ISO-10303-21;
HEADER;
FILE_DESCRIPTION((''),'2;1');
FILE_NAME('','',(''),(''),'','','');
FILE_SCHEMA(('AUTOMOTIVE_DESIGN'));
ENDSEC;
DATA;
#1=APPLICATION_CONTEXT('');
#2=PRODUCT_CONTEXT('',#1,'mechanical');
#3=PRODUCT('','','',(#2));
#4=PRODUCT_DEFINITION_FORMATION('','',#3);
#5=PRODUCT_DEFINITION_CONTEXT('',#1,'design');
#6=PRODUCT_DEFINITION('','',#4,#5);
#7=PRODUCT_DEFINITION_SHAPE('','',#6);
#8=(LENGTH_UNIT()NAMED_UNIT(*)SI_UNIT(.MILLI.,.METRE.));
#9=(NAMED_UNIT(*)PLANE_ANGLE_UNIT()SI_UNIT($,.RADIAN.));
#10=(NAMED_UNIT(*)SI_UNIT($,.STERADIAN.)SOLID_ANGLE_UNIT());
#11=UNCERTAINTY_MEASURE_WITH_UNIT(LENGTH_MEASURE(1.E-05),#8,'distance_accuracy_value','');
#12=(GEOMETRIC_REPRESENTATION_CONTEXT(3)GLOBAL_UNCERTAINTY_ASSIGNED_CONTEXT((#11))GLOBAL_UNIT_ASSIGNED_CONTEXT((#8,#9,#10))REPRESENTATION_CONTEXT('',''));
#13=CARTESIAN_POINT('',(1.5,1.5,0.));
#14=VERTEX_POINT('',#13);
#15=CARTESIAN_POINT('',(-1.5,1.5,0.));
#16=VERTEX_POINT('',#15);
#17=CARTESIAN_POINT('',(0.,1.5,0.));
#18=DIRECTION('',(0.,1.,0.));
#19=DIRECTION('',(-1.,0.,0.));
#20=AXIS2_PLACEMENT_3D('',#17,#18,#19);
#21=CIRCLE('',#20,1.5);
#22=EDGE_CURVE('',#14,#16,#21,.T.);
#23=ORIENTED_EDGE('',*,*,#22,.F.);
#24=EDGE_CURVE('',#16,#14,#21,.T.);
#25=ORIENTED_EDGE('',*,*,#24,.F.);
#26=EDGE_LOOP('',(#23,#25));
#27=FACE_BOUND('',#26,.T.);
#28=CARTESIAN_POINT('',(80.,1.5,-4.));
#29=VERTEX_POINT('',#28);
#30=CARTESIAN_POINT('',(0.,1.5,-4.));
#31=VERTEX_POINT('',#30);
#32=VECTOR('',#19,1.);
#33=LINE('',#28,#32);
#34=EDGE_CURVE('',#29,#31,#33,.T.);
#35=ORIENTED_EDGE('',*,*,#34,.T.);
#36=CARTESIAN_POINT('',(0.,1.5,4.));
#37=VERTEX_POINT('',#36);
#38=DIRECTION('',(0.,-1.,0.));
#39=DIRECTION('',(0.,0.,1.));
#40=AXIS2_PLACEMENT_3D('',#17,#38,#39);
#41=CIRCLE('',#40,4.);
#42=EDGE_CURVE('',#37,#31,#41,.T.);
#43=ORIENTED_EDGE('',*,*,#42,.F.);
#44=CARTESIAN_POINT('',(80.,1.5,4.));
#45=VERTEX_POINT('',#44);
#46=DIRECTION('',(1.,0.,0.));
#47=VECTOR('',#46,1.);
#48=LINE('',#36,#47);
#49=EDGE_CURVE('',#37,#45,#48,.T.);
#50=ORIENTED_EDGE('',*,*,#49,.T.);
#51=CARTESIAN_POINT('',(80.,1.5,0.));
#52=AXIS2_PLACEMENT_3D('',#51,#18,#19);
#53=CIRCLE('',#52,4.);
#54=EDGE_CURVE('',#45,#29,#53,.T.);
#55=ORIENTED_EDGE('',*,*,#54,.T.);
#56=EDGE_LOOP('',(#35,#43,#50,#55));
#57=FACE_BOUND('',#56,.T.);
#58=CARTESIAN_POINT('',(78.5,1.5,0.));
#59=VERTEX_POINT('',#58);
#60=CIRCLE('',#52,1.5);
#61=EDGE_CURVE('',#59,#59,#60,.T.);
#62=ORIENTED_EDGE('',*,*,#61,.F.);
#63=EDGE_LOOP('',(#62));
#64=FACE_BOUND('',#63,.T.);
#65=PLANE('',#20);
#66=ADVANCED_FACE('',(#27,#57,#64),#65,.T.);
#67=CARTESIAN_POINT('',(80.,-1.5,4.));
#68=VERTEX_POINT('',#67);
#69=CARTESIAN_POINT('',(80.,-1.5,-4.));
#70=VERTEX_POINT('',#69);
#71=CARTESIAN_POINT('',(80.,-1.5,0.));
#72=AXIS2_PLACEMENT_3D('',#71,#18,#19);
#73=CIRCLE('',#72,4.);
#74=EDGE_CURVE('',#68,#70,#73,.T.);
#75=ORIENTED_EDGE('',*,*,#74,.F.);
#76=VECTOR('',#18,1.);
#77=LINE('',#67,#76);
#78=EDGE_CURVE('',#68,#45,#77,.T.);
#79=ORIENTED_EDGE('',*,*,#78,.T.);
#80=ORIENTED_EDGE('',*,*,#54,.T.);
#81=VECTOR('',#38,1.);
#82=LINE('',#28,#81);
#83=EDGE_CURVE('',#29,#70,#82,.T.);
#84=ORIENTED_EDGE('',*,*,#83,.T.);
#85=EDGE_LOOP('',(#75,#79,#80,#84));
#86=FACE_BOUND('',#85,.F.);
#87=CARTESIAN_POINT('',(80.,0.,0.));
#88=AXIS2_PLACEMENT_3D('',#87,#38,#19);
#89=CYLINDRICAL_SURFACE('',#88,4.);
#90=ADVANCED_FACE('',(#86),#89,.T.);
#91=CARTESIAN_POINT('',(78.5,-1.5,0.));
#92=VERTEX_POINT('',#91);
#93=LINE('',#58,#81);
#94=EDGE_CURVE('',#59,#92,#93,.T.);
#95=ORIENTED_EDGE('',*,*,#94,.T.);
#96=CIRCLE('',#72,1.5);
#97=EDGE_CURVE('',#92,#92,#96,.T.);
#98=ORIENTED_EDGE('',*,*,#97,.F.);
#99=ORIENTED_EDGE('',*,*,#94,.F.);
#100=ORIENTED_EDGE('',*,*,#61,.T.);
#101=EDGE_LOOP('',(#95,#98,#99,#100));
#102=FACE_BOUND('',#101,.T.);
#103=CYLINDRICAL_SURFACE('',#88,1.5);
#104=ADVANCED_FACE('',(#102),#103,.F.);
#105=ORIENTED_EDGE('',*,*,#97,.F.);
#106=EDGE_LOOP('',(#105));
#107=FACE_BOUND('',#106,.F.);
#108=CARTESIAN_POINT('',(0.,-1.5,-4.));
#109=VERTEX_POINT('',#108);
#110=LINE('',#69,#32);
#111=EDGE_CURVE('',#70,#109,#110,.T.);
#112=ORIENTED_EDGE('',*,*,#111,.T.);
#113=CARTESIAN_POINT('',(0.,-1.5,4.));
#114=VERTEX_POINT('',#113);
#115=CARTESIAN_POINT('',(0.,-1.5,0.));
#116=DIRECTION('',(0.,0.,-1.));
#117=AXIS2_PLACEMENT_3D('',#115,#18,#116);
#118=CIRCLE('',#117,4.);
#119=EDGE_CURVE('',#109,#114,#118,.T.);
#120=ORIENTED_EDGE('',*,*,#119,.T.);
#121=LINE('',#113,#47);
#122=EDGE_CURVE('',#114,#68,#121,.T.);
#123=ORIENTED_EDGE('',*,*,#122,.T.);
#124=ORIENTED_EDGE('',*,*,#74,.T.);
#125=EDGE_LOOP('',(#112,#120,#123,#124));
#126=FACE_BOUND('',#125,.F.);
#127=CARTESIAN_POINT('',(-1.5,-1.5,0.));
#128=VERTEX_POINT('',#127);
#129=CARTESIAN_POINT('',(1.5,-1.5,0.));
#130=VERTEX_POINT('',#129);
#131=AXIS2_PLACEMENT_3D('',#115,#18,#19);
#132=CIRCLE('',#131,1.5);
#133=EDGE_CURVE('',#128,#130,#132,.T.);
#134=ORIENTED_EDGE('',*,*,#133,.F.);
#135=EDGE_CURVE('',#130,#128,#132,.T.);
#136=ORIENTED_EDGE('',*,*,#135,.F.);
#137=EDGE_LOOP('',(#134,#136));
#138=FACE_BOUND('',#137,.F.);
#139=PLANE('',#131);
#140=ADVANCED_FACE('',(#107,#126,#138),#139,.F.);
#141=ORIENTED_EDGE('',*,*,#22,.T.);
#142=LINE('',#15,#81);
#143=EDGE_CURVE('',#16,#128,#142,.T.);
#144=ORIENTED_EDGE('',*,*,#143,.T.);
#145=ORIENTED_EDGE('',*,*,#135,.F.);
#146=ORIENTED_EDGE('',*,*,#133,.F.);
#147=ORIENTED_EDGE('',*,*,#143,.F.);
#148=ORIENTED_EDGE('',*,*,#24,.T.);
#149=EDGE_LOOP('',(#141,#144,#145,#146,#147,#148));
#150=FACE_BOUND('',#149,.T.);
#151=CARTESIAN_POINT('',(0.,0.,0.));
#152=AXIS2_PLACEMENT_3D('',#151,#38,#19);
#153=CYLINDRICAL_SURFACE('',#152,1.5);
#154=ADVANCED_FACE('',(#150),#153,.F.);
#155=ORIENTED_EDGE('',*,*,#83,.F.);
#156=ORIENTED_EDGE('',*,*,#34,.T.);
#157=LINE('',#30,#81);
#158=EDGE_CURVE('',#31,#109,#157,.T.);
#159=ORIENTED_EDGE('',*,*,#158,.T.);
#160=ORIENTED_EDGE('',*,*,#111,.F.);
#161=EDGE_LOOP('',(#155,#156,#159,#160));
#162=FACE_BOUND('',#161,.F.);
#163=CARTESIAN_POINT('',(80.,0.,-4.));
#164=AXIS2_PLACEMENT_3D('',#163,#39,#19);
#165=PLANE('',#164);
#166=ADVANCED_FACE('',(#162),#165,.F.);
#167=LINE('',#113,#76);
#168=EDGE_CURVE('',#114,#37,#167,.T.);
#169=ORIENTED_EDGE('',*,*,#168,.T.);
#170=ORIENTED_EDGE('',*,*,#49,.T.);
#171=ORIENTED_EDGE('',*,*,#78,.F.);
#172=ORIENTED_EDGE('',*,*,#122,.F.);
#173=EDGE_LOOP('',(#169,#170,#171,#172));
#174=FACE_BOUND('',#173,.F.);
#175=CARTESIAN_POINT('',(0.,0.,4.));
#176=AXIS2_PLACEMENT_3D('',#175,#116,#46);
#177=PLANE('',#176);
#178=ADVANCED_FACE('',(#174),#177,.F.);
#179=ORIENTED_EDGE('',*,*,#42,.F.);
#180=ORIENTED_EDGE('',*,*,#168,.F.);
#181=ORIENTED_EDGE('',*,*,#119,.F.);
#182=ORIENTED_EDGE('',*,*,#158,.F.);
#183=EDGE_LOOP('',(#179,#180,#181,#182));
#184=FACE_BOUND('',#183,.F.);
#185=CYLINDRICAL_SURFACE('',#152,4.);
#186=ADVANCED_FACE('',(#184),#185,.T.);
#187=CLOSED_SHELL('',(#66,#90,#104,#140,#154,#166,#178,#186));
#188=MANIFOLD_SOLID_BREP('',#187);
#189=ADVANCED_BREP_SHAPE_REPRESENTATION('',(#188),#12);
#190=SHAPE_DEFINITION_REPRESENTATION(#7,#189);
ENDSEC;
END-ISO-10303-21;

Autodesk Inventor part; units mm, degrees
ref_plane "YZ Plane" through (0, 0, 0) normal (1, 0, 0) x (0, 1, 0)
ref_plane "XZ Plane" through (0, 0, 0) normal (0, 1, 0) x (-1, 0, 0)
ref_plane "XY Plane" through (0, 0, 0) normal (0, 0, 1) x (1, 0, 0)
sketch "草圖1" plane through (0, 0, 0) normal (0, 1, 0) x (-1, 0, 0)
  circle A0 centre (0, 0) radius 1.5
  line L0 (0, 0) -> (-80, 0)
  circle A1 centre (-80, 0) radius 1.5
  circle A2 centre (-80, 0) radius 4
  circle A3 centre (0, 0) radius 4
  line L1 (0, 4) -> (-80, 4)
  line L2 (-80, -4) -> (0, -4)
  dimension "d0" = 3
  dimension "d14" = 80
  dimension "d15" = 3
  dimension "d16" = 8
  dimension "d17" = 8
extrude "擠出1" add sketch "草圖1" along normal mid plane 3
sketch "草圖2" plane through (0, 1.5, 0) normal (0, 1, 0) x (1, 0, 0)
  circle A0 centre (80, 0) radius 1.5 projected
  circle A1 centre (0, 0) radius 1.25 projected
  arc A2 (0, 6) -> (0, -6) centre (0, 0) ccw projected
  line L0 (0, -6) -> (80, -6) projected
  arc A3 (80, -6) -> (80, 6) centre (80, 0) ccw projected
  line L1 (80, 6) -> (0, 6) projected
  line L2 (80, 0) -> (70, 0)
  line L3 (70, 0) -> (70, 1.5)
  line L4 (70, 1.5) -> (62.5, 1.5)
  line L5 (62.5, 1.5) -> (62.5, -1.5)
  line L6 (62.5, -1.5) -> (70, -1.5)
  line L7 (70, -1.5) -> (70, 0)
  line L8 (62.5, 0) -> (48, 0)
  circle A4 centre (48, 0) radius 1.5
  line L9 (48, 0) -> (15, 0)
  line L10 (15, 0) -> (15, 1.5)
  line L11 (15, 1.5) -> (10, 1.5)
  line L12 (10, 1.5) -> (10, -1.5)
  line L13 (10, -1.5) -> (15, -1.5)
  line L14 (15, -1.5) -> (15, 0)
  dimension "d18" = 10
  dimension "d19" = 1.5
  dimension "d20" = 7.5
  dimension "d21" = 3
  dimension "d22" = 14.5
  dimension "d23" = 3
  dimension "d24" = 33
  dimension "d25" = 1.5
  dimension "d26" = 5
  dimension "d27" = 3
properties part number "連接6"
